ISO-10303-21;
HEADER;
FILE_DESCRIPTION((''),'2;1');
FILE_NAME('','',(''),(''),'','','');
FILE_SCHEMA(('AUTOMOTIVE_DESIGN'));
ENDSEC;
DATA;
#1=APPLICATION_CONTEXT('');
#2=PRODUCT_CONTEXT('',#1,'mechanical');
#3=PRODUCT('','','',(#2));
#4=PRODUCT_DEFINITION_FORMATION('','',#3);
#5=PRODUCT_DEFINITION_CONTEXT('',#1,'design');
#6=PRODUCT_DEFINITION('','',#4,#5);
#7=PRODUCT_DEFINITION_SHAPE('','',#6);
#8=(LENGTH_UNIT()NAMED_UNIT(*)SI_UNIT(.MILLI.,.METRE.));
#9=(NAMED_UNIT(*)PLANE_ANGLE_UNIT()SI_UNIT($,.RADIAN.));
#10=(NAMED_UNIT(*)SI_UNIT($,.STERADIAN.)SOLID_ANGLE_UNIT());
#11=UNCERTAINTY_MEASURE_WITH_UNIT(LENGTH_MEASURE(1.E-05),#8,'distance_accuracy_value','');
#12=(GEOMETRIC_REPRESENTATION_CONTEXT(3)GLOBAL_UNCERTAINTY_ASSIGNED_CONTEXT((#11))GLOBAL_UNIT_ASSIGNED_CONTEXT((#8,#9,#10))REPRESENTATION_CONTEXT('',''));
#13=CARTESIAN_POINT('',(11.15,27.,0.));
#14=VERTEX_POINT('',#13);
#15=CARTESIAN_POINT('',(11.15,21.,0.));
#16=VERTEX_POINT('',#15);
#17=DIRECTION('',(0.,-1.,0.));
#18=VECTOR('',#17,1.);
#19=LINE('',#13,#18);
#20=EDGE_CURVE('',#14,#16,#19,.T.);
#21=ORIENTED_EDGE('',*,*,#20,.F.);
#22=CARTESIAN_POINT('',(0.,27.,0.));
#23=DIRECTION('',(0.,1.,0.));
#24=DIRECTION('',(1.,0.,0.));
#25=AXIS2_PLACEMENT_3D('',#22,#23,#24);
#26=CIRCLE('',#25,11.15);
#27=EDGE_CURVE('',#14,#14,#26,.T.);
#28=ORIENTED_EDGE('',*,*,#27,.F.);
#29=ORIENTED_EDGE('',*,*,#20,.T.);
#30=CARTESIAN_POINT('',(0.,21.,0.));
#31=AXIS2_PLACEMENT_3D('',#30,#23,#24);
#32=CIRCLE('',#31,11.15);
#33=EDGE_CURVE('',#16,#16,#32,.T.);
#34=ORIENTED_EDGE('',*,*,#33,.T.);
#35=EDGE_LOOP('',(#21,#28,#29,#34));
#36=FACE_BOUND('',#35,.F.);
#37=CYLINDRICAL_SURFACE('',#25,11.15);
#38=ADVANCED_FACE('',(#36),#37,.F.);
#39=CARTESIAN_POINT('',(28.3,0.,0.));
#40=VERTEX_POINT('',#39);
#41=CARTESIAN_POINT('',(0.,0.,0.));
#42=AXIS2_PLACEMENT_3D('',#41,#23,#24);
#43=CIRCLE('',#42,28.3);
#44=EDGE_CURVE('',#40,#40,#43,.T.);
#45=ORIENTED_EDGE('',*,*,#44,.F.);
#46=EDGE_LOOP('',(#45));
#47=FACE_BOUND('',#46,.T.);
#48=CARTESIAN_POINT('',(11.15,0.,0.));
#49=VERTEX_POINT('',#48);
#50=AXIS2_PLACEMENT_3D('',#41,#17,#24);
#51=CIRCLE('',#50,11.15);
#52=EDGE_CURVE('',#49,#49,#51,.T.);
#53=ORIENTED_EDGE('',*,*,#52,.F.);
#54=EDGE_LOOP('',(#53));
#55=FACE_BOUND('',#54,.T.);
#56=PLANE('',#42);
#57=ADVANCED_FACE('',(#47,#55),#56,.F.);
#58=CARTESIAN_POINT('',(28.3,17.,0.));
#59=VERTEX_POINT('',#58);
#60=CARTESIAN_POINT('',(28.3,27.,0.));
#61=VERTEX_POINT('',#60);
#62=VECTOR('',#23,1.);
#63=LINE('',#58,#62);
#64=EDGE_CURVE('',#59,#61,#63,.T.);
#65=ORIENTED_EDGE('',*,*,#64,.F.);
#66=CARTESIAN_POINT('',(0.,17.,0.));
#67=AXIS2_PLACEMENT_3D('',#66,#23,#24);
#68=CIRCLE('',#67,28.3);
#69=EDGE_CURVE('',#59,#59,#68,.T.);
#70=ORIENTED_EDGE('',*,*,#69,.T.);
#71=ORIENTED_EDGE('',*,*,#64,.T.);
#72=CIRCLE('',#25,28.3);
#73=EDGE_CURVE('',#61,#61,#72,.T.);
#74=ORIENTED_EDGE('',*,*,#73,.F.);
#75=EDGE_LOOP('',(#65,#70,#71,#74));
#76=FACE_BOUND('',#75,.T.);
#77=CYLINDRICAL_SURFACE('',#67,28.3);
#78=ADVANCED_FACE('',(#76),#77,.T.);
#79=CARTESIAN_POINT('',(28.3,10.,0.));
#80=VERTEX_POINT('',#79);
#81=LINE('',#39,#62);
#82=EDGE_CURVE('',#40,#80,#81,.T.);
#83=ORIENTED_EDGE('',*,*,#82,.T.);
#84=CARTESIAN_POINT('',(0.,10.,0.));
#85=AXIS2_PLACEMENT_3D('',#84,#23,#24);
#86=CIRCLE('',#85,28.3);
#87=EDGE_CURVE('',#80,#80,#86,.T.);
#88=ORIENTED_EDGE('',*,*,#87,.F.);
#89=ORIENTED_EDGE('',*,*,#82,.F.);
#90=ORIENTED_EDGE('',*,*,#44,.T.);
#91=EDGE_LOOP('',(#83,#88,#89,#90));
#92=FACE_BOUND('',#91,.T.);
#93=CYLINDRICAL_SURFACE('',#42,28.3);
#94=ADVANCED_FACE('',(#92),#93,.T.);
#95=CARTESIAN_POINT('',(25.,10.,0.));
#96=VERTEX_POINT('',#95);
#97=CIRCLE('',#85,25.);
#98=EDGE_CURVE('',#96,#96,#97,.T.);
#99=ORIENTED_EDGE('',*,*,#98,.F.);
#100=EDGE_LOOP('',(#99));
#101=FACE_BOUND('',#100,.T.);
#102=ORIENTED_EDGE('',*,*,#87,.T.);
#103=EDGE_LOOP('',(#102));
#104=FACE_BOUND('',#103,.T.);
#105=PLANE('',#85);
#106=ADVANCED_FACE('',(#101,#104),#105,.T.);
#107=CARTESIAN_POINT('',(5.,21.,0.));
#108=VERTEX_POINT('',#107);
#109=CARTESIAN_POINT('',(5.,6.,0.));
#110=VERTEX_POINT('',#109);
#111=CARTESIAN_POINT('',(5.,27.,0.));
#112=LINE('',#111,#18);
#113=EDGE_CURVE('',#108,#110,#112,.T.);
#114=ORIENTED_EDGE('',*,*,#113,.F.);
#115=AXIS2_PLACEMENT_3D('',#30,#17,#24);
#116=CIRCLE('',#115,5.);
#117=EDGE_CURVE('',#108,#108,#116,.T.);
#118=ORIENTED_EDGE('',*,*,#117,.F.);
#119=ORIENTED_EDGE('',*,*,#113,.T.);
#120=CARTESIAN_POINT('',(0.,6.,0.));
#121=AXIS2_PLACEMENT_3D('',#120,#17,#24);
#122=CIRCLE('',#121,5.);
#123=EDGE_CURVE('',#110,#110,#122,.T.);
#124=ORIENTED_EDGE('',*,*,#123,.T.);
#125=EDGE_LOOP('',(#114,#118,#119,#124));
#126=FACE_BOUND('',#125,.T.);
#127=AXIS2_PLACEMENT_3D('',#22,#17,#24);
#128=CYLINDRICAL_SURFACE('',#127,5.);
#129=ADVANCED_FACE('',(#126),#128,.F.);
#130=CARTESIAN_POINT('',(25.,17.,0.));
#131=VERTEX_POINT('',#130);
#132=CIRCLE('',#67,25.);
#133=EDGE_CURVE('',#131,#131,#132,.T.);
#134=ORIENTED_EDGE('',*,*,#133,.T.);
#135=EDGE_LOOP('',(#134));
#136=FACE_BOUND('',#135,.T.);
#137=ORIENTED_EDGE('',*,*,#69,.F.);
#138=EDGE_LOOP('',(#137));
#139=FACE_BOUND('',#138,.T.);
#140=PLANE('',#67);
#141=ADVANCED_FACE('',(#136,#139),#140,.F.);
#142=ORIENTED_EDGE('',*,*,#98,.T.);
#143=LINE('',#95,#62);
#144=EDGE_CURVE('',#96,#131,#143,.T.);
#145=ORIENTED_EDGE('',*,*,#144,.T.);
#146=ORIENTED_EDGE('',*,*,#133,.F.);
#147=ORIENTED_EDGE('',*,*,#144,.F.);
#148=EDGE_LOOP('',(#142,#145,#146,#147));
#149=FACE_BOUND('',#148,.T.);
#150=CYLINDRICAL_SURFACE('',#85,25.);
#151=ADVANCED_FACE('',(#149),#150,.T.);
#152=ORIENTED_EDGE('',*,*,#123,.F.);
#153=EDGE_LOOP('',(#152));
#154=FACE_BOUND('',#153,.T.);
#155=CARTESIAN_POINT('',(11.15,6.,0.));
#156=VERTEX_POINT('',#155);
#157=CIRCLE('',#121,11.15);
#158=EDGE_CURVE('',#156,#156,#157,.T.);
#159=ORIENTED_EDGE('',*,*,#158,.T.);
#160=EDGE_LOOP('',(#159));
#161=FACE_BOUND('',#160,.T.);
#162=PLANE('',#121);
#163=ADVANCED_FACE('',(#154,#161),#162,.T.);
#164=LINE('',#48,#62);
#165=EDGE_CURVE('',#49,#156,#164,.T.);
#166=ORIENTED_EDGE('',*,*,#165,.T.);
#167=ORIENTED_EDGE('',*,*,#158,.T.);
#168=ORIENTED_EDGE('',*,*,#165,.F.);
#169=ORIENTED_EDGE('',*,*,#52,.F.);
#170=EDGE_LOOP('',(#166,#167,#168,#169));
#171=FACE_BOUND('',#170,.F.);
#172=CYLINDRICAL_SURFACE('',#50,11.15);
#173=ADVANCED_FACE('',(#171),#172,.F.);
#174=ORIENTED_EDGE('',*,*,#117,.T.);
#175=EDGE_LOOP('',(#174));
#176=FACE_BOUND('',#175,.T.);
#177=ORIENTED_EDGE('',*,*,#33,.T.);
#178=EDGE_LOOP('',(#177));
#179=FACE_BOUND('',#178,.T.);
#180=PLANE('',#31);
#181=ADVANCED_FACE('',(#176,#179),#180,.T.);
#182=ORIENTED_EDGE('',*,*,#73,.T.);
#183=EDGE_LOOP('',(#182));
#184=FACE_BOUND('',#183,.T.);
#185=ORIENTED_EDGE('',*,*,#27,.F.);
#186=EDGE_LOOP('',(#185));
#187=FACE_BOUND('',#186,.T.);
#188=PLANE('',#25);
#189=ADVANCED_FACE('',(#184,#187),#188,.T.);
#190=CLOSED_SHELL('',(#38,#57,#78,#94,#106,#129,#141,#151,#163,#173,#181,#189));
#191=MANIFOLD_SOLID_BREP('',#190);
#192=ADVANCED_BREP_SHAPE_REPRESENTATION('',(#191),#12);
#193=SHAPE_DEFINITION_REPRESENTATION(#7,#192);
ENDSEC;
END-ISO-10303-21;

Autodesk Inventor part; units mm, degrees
ref_plane "YZ Plane" through (0, 0, 0) normal (1, 0, 0) x (0, 1, 0)
ref_plane "XZ Plane" through (0, 0, 0) normal (0, 1, 0) x (-1, 0, 0)
ref_plane "XY Plane" through (0, 0, 0) normal (0, 0, 1) x (1, 0, 0)
sketch "Sketch1" plane through (0, 0, 0) normal (0, 0, 1) x (1, 0, 0)
  line L0 (0, 0) -> (0, 20.9396) construction
  line L1 (5, 0) -> (28.3, 0)
  line L2 (28.3, 0) -> (28.3, 10)
  line L3 (28.3, 10) -> (25, 10)
  line L4 (25, 10) -> (25, 17)
  line L5 (25, 17) -> (28.3, 17)
  line L6 (28.3, 17) -> (28.3, 27)
  line L7 (28.3, 27) -> (5, 27)
  line L8 (5, 27) -> (5, 0)
  dimension "d1" = 3.3
  dimension "d2" = 7
  dimension "d4" = 10
  dimension "d15" = 25
  dimension "d16" = 5
revolve "Revolution1" add sketch "Sketch1" angle 360 about axis through (0, 0, 0) along (0, 1, 0)
sketch "Sketch2" plane through (0, 27, 0) normal (0, 1, 0) x (1, 0, 0)
  circle A0 centre (0, 0) radius 11.15
  dimension "d8" = 22.3
extrude "Extrusion1" cut sketch "Sketch2" against normal blind 6
sketch "Sketch3" plane through (0, 0, 0) normal (0, -1, 0) x (1, 0, 0)
  circle A0 centre (0, 0) radius 11.15
  dimension "d11" = 22.3
extrude "Extrusion2" cut sketch "Sketch3" against normal blind 6
properties part number "1213_Distal Roller_V1" material "Acetal Resin, White"
